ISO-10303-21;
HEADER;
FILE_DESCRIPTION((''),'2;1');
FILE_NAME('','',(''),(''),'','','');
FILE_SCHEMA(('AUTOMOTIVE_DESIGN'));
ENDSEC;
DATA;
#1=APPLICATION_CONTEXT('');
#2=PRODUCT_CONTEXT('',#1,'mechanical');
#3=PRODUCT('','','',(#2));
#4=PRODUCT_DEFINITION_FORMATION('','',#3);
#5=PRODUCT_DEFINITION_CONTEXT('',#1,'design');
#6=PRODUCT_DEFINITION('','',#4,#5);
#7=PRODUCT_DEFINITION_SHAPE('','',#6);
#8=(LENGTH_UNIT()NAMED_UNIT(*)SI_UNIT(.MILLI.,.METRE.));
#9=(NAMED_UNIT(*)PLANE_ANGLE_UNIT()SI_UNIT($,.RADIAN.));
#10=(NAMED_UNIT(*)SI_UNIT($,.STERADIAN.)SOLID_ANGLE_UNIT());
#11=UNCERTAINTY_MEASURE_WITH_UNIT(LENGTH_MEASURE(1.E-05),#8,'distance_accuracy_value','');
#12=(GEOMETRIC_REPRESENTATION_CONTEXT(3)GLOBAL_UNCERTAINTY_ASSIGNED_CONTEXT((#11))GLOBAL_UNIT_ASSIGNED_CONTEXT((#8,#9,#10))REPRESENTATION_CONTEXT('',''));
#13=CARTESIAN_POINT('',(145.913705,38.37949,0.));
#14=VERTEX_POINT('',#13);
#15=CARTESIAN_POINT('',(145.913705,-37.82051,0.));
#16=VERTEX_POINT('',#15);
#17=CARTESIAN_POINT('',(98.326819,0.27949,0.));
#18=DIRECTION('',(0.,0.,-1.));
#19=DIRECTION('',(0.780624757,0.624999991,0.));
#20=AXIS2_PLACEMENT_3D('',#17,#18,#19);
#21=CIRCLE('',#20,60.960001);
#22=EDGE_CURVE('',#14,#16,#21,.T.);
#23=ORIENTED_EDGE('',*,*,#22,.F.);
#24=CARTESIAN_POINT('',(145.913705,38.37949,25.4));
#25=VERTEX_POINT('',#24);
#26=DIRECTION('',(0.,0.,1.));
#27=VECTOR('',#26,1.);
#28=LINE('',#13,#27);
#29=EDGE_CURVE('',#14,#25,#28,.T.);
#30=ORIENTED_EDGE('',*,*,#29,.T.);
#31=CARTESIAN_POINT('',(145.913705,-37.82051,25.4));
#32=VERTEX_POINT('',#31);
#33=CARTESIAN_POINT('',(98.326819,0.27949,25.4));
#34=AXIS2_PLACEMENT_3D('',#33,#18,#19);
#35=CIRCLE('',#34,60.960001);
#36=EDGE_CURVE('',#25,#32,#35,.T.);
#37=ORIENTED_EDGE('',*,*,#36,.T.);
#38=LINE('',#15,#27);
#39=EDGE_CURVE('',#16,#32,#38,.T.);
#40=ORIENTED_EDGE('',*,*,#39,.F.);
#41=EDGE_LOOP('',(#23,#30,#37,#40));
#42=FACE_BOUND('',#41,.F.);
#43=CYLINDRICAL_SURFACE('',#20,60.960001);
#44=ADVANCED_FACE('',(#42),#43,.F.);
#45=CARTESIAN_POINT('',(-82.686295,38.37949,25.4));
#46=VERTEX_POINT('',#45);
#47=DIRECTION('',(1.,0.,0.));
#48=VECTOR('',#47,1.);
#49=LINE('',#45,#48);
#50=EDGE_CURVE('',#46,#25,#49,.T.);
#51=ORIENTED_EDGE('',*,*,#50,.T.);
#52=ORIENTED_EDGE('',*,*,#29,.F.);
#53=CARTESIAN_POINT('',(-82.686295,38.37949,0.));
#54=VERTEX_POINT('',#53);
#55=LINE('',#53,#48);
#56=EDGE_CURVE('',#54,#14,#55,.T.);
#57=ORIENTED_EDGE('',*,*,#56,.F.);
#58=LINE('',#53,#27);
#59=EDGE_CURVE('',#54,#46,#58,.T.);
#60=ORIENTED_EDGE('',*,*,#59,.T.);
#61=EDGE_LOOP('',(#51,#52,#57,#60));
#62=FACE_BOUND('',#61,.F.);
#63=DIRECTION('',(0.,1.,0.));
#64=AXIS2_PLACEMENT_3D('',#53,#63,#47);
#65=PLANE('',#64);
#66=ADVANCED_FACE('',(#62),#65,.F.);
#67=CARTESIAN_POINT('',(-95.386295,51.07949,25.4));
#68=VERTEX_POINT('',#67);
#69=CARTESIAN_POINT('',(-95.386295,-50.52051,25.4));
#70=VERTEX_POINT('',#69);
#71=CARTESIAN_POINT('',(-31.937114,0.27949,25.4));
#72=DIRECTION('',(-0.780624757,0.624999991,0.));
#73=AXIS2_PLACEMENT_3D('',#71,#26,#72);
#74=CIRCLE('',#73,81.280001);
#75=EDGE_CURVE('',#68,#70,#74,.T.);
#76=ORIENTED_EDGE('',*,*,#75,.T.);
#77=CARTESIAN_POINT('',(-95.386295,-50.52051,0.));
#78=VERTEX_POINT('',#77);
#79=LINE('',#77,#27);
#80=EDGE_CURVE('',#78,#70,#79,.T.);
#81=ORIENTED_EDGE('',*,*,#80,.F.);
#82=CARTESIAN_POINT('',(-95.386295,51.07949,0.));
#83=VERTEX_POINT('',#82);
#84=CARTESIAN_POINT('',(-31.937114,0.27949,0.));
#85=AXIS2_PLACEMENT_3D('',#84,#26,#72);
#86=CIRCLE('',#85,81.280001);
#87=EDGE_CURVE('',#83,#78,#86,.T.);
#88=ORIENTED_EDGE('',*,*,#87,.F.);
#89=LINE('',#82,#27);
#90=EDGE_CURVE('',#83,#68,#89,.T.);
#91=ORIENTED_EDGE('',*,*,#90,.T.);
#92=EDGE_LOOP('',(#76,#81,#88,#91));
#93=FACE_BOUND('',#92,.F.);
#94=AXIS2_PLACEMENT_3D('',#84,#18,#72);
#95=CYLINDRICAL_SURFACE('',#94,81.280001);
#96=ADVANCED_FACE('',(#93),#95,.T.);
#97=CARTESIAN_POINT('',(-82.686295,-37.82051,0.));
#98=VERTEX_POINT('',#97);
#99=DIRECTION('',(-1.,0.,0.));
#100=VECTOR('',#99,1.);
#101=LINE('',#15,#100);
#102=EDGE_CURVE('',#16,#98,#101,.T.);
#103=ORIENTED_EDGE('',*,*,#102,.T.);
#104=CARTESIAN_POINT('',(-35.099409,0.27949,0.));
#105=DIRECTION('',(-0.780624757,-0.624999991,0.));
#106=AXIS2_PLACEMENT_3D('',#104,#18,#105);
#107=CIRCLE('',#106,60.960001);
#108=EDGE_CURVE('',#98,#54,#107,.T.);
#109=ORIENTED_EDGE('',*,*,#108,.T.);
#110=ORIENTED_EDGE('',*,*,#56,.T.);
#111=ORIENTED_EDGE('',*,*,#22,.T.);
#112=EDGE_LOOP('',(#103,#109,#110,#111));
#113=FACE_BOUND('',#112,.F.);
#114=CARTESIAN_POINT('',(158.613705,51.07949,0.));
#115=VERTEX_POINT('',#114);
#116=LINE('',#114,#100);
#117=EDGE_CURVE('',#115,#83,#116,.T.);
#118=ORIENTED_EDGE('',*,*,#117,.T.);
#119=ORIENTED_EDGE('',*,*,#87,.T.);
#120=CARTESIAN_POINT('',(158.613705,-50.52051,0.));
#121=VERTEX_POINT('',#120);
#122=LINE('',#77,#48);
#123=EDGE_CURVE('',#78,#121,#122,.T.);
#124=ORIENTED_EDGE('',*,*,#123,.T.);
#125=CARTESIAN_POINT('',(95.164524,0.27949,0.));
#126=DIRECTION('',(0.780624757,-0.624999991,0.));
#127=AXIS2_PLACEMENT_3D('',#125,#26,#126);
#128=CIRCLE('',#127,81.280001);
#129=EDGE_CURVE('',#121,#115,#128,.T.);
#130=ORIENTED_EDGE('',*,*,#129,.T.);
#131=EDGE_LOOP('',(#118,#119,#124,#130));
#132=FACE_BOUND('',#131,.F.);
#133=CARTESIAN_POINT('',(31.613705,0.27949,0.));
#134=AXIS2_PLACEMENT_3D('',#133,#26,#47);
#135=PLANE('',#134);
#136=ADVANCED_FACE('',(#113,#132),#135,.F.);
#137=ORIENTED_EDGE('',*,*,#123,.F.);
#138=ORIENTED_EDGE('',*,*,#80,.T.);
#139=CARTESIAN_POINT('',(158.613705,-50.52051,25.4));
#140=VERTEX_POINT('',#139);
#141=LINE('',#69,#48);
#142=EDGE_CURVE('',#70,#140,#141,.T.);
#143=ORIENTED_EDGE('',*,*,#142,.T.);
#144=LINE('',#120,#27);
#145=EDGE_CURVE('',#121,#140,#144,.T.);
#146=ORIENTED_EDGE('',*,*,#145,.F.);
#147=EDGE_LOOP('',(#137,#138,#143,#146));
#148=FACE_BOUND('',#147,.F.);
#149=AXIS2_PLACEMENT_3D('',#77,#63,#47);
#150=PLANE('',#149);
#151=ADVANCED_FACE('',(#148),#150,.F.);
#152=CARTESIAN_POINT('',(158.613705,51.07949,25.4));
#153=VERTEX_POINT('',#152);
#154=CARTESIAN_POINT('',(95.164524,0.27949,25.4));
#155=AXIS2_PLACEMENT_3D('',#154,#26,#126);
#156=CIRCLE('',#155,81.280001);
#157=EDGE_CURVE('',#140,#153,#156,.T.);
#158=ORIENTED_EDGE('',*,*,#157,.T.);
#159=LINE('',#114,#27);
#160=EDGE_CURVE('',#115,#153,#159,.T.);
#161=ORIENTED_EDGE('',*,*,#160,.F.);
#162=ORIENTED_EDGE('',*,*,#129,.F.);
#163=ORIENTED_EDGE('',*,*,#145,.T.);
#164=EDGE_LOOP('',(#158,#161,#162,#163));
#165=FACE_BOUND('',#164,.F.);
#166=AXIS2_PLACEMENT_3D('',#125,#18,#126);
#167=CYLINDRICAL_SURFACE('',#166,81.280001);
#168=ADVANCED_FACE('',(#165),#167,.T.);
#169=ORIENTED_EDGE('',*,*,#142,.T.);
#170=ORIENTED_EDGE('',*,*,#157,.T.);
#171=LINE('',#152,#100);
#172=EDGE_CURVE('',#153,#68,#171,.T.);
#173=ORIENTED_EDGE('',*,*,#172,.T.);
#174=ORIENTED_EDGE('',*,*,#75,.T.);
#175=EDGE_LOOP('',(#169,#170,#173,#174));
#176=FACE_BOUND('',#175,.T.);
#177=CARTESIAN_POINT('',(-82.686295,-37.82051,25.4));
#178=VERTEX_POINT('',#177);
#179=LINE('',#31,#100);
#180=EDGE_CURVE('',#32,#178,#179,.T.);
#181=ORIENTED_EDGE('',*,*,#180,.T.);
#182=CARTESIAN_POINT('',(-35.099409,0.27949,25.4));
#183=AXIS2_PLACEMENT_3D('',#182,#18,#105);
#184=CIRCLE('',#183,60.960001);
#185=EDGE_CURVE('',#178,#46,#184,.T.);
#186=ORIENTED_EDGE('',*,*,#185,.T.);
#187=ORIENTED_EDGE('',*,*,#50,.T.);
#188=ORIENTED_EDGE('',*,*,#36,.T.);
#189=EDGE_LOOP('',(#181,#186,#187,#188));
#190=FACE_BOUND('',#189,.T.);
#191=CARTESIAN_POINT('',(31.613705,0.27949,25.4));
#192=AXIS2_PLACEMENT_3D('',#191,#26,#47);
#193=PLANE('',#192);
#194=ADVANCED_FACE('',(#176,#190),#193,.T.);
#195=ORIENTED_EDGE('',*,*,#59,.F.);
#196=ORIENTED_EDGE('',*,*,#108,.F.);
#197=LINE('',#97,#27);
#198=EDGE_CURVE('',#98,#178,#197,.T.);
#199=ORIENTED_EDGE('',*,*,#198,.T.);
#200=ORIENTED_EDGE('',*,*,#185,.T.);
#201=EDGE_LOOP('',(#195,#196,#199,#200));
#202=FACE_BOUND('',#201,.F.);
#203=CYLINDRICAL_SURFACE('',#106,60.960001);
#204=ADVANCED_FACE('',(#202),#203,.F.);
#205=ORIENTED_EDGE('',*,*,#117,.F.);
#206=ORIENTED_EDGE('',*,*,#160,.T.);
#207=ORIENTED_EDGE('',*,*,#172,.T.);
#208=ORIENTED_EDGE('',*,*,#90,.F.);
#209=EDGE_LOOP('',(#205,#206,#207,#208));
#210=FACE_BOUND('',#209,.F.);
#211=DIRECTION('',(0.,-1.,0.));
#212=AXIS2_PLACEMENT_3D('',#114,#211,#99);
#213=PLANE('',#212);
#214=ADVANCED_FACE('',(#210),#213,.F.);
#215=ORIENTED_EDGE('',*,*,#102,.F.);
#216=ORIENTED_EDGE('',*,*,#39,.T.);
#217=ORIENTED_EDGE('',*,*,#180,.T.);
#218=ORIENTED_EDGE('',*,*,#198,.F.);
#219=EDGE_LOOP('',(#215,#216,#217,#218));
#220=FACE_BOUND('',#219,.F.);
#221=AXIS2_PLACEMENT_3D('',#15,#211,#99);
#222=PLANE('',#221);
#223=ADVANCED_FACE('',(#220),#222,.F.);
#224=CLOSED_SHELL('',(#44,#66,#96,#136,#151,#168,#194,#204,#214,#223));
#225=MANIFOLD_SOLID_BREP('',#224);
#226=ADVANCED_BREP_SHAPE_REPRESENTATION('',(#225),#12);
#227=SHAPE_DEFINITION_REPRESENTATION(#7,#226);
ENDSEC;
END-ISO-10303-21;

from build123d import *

# Parameters (mm, degrees)
F1_DEPTH = 25.4


with BuildPart() as f1:
    # F0 (on Top) → F1 (new body)
    with BuildSketch(Plane.XY):
        with BuildLine():
            Line((158.613705, 51.07949), (-95.386295, 51.07949))
            ThreePointArc((-95.386295, 51.07949), (-113.217115, 0.27949), (-95.386295, -50.52051))
            Line((-95.386295, -50.52051), (31.613705, -50.52051))
            Line((31.613705, -50.52051), (158.613705, -50.52051))
            ThreePointArc((158.613705, -50.52051), (176.444525, 0.27949), (158.613705, 51.07949))
        make_face()
        with BuildLine():
            Line((145.913705, -37.82051), (31.613705, -37.82051))
            Line((31.613705, -37.82051), (-82.686295, -37.82051))
            ThreePointArc((-82.686295, -37.82051), (-96.05941, 0.27949), (-82.686295, 38.37949))
            Line((-82.686295, 38.37949), (31.613705, 38.37949))
            Line((31.613705, 38.37949), (145.913705, 38.37949))
            ThreePointArc((145.913705, 38.37949), (159.28682, 0.27949), (145.913705, -37.82051))
        make_face(mode=Mode.SUBTRACT)
    extrude(amount=F1_DEPTH)


solid = f1.part
